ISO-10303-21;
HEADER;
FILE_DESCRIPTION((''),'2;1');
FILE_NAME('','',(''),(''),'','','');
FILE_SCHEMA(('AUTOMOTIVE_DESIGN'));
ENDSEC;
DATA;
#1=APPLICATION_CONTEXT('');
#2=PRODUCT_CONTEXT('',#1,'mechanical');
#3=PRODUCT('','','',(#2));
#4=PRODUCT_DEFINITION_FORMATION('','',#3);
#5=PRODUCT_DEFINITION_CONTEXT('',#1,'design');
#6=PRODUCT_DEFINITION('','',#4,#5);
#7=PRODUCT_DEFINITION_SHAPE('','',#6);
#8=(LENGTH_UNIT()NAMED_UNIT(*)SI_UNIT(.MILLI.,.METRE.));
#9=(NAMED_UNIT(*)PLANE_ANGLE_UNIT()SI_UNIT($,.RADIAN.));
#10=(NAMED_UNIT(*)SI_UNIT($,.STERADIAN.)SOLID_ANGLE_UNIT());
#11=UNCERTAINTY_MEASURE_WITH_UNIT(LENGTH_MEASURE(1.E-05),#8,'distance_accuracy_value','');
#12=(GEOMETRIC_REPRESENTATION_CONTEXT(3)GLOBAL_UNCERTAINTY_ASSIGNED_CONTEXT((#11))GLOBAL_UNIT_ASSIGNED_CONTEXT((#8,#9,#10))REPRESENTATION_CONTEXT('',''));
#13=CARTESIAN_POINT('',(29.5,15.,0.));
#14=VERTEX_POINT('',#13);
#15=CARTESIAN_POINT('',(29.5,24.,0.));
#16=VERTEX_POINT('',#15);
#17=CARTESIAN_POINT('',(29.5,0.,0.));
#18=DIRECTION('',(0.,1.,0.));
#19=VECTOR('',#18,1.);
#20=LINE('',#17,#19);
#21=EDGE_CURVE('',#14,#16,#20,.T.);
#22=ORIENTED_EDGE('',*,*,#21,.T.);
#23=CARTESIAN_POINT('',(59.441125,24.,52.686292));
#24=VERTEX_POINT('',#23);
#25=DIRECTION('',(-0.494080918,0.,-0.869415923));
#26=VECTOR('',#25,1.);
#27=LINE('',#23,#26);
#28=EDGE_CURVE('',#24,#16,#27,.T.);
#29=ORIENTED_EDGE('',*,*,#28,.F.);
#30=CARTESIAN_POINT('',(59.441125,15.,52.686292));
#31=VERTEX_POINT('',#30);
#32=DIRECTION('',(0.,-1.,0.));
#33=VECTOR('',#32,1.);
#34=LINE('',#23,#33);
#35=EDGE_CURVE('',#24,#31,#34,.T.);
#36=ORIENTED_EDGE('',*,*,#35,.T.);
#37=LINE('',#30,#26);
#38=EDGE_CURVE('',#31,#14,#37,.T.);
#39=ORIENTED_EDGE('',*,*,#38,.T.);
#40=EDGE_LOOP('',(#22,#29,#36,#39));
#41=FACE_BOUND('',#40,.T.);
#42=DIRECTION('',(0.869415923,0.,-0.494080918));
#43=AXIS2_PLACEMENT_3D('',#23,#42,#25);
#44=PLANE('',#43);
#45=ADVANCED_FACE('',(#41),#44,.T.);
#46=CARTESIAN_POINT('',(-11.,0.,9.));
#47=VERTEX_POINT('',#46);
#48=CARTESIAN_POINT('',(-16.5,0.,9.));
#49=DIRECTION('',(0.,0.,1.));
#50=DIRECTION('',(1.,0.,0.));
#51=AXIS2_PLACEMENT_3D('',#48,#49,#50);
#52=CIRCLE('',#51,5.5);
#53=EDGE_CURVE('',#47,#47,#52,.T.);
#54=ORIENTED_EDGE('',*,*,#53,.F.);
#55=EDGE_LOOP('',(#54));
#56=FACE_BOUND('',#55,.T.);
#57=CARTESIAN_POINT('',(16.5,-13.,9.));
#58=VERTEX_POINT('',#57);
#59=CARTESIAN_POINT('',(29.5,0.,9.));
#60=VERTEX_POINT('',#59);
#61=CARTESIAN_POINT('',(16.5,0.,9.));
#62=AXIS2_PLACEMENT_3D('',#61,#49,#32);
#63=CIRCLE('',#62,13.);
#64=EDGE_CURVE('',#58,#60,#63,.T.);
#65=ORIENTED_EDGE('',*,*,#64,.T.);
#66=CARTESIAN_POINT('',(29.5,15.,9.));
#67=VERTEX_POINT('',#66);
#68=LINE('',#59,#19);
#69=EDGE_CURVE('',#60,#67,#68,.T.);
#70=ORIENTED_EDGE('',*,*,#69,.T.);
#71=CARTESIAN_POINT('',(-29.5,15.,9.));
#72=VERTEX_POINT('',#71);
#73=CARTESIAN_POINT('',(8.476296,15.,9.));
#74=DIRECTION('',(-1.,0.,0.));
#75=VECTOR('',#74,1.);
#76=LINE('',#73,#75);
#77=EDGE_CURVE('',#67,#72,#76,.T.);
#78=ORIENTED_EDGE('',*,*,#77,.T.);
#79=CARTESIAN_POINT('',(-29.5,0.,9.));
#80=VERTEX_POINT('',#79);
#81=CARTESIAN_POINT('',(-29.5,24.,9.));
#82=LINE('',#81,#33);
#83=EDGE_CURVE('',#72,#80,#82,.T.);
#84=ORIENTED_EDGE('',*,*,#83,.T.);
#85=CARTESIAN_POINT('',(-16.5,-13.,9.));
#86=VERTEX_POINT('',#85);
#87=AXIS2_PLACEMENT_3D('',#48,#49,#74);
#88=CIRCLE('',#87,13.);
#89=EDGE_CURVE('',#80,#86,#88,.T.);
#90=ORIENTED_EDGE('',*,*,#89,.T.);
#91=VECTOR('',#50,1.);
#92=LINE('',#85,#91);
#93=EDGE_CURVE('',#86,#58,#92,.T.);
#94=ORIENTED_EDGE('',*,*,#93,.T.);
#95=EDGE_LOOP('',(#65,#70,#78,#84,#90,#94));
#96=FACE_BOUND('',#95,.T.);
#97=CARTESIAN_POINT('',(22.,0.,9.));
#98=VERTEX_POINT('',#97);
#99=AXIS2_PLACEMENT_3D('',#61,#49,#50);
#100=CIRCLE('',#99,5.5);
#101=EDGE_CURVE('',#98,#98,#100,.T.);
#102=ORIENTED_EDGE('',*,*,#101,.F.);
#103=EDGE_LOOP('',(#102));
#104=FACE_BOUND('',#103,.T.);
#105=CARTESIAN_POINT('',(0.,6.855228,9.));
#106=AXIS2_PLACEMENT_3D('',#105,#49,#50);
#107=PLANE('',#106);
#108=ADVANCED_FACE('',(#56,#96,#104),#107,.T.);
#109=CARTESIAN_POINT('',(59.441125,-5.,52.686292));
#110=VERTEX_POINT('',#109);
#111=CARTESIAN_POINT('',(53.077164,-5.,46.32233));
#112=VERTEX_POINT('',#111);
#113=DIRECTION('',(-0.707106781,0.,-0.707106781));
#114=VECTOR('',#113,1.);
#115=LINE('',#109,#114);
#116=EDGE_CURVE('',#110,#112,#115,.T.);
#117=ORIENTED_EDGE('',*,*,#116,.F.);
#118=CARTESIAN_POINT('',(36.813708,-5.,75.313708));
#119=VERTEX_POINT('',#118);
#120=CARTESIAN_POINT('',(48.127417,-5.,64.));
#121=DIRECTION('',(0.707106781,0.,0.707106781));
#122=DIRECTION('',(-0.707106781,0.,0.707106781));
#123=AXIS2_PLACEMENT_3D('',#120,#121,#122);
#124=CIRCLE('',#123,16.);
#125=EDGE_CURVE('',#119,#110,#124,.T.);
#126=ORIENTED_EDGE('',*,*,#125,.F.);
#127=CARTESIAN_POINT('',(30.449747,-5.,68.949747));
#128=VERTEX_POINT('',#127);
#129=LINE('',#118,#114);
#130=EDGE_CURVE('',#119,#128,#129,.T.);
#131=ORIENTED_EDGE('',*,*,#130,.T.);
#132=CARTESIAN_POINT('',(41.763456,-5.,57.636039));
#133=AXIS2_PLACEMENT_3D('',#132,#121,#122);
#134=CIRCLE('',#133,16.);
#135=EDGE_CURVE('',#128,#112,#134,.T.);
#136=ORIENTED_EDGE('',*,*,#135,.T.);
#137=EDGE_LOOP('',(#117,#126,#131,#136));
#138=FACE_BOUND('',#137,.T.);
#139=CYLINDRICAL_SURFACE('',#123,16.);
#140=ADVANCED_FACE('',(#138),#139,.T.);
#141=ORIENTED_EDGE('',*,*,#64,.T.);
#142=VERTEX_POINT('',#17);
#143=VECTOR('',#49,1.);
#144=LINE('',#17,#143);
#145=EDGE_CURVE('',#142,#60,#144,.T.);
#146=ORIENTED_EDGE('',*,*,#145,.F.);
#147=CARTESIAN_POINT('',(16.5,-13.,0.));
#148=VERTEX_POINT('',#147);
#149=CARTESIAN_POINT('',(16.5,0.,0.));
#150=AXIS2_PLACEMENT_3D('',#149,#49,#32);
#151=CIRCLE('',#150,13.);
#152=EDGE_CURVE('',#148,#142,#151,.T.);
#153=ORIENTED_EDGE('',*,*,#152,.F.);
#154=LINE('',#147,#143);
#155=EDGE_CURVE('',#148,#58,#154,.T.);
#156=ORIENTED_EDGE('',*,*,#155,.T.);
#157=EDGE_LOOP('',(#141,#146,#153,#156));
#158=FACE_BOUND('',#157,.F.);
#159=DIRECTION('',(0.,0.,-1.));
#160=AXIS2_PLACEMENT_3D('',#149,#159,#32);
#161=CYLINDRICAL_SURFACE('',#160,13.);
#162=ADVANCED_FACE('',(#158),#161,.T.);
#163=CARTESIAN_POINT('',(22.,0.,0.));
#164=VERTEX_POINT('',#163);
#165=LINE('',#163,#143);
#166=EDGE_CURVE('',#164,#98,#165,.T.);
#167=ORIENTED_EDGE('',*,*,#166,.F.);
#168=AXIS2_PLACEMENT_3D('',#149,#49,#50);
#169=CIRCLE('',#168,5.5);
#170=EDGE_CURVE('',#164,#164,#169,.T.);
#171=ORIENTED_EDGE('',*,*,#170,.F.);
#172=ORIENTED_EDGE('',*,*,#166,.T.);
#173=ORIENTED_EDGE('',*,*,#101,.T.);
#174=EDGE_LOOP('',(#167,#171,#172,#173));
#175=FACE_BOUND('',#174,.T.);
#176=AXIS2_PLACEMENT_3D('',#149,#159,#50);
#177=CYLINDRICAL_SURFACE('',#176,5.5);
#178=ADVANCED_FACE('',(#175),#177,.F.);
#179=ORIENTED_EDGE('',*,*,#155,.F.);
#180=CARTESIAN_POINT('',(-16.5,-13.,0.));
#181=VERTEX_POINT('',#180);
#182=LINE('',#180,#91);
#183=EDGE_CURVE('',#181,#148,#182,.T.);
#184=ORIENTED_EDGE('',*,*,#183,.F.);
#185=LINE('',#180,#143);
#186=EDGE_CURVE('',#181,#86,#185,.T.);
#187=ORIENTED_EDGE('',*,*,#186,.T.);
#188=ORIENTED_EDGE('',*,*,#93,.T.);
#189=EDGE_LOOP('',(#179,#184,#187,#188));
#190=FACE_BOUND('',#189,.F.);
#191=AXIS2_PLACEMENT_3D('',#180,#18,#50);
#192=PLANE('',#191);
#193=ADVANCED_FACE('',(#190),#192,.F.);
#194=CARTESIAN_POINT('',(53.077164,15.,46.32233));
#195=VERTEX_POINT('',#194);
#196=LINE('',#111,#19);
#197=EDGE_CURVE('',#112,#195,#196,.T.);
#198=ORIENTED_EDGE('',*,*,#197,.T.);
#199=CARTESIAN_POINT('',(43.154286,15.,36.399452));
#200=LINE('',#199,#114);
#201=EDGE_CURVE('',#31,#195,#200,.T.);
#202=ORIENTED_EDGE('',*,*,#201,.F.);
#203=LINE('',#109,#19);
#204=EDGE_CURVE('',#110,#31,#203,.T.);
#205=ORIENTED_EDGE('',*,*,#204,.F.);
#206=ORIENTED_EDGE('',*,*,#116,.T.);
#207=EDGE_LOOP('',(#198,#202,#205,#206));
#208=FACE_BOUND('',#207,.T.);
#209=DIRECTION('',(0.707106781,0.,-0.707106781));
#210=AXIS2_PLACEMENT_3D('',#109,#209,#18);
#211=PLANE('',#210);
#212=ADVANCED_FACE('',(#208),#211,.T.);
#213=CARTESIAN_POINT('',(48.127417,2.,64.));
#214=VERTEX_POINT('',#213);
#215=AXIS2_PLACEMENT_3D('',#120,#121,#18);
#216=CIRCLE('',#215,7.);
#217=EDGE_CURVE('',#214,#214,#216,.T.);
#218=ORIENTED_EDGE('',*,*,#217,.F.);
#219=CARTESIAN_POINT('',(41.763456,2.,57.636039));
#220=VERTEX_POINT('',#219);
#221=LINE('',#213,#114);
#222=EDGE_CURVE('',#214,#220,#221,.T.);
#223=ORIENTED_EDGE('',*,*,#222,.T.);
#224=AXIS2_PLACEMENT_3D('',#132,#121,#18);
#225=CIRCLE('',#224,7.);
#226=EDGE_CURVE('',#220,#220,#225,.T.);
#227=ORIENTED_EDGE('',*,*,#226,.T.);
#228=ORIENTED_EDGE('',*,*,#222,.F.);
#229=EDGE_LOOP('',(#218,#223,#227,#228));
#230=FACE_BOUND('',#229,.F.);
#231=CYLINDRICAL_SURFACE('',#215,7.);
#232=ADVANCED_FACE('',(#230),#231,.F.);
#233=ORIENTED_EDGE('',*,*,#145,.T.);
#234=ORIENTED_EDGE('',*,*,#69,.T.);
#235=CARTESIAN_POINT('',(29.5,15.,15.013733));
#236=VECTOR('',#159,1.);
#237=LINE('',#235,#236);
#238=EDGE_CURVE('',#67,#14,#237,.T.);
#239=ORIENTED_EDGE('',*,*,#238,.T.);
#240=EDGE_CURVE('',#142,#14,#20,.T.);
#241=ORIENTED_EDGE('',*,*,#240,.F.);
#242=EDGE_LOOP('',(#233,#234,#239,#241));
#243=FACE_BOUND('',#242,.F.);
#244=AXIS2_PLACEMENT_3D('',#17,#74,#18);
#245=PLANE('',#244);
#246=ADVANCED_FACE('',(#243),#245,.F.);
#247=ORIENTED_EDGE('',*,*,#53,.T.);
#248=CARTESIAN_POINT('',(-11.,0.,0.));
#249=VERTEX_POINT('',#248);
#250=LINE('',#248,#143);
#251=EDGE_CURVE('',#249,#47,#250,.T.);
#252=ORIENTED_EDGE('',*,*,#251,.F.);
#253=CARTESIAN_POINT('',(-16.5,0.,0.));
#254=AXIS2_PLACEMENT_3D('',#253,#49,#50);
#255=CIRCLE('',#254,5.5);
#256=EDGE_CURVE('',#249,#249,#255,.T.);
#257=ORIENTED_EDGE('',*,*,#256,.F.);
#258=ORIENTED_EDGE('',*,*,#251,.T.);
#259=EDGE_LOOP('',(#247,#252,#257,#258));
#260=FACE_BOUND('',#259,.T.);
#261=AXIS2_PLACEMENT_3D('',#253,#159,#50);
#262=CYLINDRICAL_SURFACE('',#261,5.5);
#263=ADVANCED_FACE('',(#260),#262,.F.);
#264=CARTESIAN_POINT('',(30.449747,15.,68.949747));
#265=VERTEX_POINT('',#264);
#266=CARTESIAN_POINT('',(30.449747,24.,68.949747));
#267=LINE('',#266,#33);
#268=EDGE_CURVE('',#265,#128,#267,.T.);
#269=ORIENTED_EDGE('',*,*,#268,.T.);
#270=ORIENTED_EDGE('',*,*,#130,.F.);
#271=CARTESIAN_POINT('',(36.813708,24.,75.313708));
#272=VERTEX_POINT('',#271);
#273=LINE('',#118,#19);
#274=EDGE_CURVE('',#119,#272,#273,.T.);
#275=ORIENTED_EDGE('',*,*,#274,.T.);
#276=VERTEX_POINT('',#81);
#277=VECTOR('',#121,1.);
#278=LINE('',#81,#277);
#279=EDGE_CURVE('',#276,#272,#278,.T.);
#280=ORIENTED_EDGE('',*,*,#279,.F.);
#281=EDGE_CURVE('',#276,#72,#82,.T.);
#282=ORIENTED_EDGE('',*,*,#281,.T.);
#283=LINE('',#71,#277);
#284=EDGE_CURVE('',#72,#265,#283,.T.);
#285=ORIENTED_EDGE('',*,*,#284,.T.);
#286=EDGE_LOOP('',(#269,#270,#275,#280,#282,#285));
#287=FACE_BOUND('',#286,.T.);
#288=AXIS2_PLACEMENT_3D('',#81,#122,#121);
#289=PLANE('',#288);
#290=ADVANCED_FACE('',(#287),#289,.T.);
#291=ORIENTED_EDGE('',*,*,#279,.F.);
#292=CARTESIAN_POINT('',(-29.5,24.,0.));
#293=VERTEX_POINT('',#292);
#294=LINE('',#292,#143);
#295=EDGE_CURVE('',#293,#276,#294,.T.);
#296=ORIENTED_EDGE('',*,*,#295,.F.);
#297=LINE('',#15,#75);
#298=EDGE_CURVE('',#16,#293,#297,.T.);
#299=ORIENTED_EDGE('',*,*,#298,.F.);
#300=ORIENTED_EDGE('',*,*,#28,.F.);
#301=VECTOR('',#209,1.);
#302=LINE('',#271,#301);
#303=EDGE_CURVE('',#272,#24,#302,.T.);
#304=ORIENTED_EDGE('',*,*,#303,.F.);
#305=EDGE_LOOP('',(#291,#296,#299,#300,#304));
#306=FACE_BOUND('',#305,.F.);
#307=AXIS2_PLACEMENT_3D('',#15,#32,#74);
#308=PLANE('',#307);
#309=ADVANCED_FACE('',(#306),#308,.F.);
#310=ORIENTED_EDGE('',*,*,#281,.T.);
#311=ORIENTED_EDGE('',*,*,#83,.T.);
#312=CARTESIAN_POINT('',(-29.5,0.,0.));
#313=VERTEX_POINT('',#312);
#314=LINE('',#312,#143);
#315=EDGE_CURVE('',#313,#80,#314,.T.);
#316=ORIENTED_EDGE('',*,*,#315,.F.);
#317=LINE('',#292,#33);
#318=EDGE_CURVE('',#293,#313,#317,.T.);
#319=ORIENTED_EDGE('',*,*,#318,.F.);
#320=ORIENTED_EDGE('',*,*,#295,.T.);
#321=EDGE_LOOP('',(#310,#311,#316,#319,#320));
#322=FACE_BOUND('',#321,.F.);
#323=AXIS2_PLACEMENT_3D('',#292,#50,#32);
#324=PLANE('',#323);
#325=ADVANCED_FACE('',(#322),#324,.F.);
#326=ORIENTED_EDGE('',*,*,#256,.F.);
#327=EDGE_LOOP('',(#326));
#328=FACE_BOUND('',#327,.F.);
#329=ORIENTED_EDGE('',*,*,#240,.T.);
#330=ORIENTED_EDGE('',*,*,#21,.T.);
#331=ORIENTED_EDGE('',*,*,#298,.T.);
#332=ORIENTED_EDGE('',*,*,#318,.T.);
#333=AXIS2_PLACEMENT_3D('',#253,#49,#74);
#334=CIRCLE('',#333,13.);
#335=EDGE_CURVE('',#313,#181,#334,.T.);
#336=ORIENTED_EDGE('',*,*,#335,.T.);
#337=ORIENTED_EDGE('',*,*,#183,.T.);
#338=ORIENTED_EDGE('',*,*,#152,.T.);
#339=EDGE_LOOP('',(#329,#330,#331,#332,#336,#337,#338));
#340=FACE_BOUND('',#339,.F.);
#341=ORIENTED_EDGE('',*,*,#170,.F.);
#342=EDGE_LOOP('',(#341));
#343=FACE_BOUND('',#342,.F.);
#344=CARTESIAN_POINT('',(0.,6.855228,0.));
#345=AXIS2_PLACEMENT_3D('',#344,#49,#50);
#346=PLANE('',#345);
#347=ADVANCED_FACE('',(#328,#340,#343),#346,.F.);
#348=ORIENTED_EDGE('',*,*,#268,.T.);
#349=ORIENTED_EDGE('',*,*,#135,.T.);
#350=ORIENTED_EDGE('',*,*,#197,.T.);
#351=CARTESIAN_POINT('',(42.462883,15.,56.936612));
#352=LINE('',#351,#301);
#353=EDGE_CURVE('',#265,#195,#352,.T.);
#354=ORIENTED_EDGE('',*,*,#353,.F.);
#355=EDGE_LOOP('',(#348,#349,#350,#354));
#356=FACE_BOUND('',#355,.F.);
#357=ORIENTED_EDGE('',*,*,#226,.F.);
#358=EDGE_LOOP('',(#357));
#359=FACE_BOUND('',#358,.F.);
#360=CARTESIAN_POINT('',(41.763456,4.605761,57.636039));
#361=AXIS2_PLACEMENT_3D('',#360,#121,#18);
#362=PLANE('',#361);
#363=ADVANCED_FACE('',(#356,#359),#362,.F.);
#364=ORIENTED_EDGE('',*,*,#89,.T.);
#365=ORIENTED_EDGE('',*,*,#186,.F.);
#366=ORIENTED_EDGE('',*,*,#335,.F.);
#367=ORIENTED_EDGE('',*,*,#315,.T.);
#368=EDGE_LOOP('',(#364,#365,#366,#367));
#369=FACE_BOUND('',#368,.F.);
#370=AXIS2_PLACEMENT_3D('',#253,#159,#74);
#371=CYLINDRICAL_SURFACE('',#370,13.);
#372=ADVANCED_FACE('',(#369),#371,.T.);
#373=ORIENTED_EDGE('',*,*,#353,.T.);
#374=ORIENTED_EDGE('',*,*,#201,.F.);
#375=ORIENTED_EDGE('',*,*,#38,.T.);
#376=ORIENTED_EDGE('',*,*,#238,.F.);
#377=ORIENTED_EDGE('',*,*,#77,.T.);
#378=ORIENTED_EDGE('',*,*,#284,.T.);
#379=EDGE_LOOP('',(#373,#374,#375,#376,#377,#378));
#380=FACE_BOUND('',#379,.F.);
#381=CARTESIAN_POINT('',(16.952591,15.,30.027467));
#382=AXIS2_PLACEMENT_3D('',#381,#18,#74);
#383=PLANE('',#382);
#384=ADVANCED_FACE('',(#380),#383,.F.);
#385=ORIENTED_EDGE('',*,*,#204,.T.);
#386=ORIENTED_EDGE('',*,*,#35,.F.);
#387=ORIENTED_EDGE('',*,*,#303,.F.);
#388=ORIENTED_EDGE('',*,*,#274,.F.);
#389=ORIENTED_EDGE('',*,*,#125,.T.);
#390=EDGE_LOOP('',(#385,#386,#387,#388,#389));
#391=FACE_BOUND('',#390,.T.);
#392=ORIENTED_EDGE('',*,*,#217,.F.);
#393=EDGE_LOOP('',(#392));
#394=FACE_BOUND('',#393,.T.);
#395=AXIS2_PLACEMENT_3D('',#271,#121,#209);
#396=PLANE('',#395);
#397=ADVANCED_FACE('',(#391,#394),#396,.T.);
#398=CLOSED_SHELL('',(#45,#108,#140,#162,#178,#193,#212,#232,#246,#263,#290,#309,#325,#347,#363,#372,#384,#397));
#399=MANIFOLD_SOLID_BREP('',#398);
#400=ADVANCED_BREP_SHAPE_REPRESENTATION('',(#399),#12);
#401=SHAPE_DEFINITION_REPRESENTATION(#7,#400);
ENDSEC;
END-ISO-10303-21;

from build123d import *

# Parameters (mm, degrees)
F0_R     = 5.5
F1_DEPTH = 9
F3_DEPTH = 9
F4_R     = 7
F5_DEPTH = 9


with BuildPart() as f1:
    # F0 (on Top) → F1 (new body)
    with BuildSketch(Plane.XY):
        with BuildLine():
            Line((-29.5, 24), (-29.5, 0))
            ThreePointArc((-29.5, 0), (-25.6923881554, -9.1923881554), (-16.5, -13))
            Line((-16.5, -13), (16.5, -13))
            ThreePointArc((16.5, -13), (25.6923881554, -9.1923881554), (29.5, 0))
            Line((29.5, 0), (29.5, 24))
            Line((29.5, 24), (0, 24))
            Line((0, 24), (-29.5, 24))
        make_face()
        with Locations((-16.5, 0)):
            Circle(F0_R, mode=Mode.SUBTRACT)
        with Locations((16.5, 0)):
            Circle(F0_R, mode=Mode.SUBTRACT)
    extrude(amount=F1_DEPTH)

    # F2 (on face) → F3 (join)
    with BuildSketch(Plane(origin=(0, 24, 0), x_dir=(-1, 0, 0), z_dir=(0, 1, 0))):
        Polygon((-29.5, 0), (29.5, 0), (29.5, 9), (-36.813708499, 75.313708499), (-48.127416998, 64), (-59.441125497, 52.686291501), align=None)
    extrude(amount=-F3_DEPTH)

    # F4 (on face) → F5 (join)
    with BuildSketch(Plane(origin=(56.063708499, 0, 56.063708499), x_dir=(0, 1, 0), z_dir=(0.7071067812, 0, 0.7071067812))):
        with BuildLine():
            Line((24, -4.7763889243), (24, 27.2236110757))
            Line((24, 27.2236110757), (-5, 27.2236110757))
            ThreePointArc((-5, 27.2236110757), (-21, 11.2236110757), (-5, -4.7763889243))
            Line((-5, -4.7763889243), (24, -4.7763889243))
        make_face()
        with Locations((-5, 11.2236110757)):
            Circle(F4_R, mode=Mode.SUBTRACT)
    extrude(amount=-F5_DEPTH)


solid = f1.part
